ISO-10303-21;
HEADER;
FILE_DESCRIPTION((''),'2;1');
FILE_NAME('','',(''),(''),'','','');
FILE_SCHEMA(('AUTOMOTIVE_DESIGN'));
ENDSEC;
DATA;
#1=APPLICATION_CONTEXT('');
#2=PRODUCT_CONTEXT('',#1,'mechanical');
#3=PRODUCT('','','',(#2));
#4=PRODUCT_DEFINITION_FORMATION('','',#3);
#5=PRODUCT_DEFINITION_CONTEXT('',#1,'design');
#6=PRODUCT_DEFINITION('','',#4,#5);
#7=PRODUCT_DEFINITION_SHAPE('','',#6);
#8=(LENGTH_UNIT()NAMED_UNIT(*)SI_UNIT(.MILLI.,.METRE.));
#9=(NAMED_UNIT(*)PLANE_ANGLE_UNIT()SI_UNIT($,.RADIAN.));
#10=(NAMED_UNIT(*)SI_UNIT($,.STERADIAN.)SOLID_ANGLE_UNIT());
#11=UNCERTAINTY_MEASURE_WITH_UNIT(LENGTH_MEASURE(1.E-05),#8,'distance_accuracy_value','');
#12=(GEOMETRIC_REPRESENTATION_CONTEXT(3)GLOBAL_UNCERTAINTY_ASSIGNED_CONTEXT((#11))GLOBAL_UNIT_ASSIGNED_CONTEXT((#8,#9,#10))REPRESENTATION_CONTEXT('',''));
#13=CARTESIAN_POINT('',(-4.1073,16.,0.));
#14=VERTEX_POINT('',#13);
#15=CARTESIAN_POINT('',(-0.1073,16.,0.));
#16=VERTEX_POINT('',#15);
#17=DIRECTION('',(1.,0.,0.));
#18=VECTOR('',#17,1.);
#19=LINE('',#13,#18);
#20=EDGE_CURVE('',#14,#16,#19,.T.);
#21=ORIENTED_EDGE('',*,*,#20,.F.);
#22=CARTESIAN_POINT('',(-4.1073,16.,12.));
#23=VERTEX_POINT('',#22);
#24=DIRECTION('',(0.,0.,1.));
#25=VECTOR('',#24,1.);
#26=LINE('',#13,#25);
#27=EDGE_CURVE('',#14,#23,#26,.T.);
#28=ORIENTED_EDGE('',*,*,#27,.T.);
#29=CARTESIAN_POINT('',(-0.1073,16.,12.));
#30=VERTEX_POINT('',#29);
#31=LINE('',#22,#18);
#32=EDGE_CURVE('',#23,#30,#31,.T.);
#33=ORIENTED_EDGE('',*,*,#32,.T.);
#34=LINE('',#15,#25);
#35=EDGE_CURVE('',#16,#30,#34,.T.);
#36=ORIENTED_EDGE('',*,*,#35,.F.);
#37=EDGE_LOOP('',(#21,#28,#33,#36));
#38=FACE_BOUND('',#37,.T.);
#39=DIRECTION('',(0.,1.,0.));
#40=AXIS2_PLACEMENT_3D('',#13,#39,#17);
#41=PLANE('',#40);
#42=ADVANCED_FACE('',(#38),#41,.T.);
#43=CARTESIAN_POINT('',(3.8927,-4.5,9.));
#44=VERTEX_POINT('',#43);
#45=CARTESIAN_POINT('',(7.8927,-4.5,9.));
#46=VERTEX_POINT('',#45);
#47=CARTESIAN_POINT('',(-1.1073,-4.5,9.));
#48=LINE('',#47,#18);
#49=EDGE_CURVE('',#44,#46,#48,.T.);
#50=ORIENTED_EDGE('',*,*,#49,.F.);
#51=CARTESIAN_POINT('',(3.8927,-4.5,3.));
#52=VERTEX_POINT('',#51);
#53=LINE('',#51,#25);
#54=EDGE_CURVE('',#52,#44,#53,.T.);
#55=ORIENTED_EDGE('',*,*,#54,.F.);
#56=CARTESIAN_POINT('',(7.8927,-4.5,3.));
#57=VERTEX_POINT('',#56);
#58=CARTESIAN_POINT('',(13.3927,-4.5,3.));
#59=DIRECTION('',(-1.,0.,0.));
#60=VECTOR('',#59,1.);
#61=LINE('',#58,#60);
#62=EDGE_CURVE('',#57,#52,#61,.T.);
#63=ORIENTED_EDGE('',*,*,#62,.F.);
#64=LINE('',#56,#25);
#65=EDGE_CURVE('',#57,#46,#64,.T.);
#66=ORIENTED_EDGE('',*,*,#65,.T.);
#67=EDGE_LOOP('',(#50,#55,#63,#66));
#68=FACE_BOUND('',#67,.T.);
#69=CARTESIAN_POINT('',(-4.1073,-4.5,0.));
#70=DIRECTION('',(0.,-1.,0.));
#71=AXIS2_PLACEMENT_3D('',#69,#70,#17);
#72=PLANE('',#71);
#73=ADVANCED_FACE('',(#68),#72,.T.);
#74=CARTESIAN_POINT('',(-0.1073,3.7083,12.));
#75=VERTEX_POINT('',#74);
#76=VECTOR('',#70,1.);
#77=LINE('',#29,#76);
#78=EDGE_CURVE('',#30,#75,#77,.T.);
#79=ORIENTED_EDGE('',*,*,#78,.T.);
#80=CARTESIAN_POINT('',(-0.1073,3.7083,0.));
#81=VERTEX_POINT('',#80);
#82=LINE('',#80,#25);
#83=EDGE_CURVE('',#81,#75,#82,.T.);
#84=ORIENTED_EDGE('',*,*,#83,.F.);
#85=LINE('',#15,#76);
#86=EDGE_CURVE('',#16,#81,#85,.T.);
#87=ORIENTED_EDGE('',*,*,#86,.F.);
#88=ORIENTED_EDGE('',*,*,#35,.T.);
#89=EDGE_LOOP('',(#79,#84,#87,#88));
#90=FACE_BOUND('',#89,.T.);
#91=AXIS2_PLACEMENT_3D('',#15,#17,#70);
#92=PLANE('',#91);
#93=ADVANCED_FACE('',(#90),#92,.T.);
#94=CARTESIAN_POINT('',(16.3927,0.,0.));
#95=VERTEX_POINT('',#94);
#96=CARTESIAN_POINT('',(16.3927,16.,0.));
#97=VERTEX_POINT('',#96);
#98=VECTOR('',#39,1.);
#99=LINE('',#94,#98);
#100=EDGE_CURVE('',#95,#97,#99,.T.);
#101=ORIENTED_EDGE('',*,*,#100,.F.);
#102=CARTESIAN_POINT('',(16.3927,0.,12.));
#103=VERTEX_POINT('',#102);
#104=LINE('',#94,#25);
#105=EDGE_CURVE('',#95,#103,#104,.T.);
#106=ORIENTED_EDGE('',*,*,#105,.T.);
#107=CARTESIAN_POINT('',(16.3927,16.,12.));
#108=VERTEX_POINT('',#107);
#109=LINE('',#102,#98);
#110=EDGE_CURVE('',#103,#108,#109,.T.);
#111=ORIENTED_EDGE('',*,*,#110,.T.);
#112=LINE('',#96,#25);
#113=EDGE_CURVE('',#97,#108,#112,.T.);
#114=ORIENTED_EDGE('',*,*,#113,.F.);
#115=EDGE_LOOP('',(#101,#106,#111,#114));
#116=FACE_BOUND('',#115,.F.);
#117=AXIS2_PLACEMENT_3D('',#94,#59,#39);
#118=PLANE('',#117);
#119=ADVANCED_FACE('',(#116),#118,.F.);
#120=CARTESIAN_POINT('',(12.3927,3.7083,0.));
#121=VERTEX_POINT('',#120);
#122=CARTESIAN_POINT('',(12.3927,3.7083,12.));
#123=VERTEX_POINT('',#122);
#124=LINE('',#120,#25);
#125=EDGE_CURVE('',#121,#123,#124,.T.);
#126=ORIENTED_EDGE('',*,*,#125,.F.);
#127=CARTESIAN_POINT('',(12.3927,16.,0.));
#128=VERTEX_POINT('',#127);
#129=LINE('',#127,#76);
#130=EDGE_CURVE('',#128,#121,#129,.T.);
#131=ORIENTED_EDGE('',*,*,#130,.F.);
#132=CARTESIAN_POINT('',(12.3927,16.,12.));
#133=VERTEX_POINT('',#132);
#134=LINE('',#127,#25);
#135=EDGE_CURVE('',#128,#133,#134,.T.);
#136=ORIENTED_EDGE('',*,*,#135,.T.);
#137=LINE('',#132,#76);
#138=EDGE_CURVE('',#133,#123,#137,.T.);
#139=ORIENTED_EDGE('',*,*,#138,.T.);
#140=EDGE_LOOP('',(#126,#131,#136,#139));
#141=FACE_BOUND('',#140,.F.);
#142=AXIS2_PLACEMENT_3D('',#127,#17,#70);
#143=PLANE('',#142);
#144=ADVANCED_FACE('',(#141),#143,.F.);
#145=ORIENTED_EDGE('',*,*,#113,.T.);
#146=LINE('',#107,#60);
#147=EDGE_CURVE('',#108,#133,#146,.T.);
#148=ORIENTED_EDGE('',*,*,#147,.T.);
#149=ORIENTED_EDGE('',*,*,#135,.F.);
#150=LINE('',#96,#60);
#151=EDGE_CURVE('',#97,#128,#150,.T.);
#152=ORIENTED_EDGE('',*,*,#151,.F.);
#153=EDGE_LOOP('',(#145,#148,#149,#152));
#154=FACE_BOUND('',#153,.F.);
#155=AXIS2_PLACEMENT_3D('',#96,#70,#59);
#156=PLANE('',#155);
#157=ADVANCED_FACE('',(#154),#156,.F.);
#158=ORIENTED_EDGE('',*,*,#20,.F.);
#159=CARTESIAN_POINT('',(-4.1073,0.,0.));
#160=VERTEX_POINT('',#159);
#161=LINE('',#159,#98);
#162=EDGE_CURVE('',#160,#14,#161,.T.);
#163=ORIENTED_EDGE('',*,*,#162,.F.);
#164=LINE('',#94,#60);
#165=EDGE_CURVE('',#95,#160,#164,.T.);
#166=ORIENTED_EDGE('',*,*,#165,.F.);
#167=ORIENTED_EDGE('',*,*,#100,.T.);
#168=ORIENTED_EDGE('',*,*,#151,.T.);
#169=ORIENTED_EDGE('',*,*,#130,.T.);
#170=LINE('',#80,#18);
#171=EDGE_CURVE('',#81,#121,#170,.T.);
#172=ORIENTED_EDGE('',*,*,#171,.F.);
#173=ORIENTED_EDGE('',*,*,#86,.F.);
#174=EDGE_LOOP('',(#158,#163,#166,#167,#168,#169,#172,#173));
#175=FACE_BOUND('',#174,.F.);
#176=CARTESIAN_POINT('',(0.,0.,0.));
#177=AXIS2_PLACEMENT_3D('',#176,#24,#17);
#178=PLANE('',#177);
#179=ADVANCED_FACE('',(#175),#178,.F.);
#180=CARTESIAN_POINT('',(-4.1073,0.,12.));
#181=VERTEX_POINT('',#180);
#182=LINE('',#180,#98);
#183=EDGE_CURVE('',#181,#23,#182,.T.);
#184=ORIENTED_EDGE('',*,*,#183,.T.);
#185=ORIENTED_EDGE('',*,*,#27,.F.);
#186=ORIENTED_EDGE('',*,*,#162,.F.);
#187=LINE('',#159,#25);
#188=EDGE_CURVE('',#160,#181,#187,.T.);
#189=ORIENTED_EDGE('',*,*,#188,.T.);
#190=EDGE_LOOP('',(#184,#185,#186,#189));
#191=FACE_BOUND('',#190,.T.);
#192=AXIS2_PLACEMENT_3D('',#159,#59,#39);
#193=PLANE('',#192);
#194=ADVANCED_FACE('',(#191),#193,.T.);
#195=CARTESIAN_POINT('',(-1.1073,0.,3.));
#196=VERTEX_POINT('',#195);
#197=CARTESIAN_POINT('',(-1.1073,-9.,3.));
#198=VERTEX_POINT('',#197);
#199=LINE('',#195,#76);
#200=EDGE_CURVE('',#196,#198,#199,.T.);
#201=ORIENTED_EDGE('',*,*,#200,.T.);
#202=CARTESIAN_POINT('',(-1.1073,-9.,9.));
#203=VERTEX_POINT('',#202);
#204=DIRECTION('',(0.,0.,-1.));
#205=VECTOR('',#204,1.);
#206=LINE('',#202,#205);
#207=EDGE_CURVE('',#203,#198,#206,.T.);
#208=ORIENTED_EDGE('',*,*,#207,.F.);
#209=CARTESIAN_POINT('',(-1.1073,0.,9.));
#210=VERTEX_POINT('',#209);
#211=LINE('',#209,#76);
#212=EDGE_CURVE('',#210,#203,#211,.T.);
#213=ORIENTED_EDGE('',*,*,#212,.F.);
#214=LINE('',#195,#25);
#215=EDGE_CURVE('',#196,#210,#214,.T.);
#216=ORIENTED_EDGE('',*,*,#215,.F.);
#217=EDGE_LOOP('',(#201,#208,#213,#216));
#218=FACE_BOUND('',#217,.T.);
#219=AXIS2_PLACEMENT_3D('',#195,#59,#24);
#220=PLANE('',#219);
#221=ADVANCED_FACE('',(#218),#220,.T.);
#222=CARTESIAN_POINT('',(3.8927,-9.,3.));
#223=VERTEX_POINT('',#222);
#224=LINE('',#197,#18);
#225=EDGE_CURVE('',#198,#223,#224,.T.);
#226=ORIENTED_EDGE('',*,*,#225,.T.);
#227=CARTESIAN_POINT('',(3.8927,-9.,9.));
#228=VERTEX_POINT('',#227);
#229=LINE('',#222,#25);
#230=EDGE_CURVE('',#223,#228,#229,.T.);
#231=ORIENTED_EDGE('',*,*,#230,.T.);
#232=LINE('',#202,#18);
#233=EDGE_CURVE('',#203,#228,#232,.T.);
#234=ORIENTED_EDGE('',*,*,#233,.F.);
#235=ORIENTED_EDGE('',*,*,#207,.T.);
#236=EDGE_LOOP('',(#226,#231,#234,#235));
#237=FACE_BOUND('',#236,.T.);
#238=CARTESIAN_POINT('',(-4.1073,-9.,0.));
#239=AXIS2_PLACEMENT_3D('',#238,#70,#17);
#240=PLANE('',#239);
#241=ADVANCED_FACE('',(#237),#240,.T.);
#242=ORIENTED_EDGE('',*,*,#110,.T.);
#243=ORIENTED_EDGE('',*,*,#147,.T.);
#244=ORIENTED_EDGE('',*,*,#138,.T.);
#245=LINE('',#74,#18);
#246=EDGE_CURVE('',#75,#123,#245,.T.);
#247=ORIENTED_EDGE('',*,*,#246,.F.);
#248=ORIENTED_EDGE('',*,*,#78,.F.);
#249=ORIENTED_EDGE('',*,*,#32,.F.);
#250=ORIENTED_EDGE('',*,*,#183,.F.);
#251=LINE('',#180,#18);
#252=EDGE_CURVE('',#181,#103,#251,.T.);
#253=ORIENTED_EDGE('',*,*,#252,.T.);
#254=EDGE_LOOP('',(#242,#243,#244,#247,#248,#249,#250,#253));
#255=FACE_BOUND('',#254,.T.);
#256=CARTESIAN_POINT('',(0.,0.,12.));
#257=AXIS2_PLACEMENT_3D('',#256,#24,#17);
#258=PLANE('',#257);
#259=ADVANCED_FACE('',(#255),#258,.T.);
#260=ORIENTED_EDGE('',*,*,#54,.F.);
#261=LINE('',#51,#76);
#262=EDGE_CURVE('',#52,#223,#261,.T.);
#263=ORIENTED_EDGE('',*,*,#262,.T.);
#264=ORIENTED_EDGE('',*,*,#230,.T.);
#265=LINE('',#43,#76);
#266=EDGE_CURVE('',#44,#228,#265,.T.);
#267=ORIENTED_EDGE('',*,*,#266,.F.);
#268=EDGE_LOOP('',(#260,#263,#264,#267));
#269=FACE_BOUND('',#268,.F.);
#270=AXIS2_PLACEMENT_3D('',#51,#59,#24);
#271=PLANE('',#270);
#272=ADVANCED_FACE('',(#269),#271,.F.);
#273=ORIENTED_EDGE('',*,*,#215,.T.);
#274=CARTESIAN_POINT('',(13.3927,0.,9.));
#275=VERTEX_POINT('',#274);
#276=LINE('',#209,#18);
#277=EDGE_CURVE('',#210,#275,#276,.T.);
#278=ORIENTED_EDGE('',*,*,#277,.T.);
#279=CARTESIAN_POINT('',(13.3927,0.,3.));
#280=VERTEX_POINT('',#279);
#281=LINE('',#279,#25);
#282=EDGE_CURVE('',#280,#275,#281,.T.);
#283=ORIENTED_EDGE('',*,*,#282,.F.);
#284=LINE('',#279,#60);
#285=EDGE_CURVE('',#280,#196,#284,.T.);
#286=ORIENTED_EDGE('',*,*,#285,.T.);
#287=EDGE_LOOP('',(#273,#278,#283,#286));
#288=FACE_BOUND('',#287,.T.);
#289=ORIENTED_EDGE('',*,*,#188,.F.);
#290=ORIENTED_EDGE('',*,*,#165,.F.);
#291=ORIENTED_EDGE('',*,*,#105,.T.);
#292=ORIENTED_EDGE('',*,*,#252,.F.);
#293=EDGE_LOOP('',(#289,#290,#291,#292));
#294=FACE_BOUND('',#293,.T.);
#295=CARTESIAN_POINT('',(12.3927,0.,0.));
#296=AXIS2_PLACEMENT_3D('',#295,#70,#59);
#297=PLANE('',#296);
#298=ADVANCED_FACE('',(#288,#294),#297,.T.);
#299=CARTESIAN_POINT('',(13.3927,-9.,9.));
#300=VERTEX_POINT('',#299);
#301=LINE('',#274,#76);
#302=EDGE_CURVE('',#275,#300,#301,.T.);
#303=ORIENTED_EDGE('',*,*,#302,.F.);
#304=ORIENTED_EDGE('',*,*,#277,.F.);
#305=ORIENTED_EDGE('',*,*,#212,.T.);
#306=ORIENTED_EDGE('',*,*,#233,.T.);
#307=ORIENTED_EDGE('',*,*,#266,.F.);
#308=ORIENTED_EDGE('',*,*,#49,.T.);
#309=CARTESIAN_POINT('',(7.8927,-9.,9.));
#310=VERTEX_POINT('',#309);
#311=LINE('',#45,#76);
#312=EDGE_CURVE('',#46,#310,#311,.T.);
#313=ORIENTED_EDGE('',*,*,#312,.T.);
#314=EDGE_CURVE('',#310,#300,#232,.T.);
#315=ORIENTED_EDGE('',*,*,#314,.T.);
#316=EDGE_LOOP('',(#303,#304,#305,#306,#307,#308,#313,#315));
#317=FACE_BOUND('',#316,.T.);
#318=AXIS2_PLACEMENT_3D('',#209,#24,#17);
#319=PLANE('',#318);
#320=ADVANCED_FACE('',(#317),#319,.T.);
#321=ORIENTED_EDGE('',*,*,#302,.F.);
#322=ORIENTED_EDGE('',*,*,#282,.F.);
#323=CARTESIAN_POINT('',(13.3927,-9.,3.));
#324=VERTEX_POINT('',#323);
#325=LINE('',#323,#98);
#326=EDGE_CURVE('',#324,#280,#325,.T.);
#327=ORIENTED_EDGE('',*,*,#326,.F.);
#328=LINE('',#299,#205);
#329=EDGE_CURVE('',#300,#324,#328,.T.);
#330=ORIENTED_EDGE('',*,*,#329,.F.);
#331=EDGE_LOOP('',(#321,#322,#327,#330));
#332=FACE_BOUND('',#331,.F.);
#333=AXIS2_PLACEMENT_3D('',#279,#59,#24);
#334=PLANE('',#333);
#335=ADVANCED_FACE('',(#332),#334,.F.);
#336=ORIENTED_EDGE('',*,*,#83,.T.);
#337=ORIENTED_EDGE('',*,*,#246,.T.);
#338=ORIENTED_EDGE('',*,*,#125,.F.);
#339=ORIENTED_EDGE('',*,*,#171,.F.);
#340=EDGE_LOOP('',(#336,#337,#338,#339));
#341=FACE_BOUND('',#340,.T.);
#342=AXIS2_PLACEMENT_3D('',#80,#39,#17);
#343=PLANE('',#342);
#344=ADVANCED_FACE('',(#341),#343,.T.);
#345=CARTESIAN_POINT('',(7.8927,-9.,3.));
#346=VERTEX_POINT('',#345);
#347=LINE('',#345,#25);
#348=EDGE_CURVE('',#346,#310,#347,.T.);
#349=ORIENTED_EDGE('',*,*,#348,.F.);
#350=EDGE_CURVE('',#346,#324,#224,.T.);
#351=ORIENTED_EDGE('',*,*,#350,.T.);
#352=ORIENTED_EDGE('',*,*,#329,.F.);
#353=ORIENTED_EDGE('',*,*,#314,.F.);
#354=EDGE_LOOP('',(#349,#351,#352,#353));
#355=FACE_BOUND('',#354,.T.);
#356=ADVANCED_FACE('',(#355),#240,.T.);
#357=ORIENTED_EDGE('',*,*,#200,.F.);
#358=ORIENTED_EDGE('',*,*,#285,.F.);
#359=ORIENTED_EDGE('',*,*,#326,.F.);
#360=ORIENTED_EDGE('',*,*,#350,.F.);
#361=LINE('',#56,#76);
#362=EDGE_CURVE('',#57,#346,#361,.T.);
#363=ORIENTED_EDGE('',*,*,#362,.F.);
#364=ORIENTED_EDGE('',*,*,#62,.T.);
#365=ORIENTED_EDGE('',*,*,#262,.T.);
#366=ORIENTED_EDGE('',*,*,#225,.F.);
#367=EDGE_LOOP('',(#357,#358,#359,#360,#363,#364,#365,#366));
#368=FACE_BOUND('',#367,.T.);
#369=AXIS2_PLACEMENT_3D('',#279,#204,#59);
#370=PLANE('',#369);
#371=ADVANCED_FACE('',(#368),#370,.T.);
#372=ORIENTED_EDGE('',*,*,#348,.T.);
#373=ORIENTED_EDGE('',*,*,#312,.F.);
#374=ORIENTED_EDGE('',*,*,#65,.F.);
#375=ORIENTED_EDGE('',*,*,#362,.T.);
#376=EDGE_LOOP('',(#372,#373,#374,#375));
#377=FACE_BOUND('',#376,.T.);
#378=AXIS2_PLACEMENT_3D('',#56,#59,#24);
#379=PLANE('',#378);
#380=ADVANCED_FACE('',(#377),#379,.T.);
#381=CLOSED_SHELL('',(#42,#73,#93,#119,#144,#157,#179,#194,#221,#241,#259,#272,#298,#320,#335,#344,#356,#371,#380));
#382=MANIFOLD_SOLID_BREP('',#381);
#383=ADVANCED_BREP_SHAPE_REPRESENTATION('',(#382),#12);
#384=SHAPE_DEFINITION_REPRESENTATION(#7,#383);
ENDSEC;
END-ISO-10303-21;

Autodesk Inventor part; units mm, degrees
ref_plane "YZ Plane" through (0, 0, 0) normal (1, 0, 0) x (0, 1, 0)
ref_plane "XZ Plane" through (0, 0, 0) normal (0, 1, 0) x (-1, 0, 0)
ref_plane "XY Plane" through (0, 0, 0) normal (0, 0, 1) x (1, 0, 0)
sketch "Sketch1" plane through (0, 0, 0) normal (0, 0, 1) x (1, 0, 0)
  line L0 (-0.1073, 3.7083) -> (12.3927, 3.7083)
  line L1 (12.3927, 3.7083) -> (12.3927, 0)
  line L2 (12.3927, 0) -> (-0.1073, 0)
  line L3 (-0.1073, 0) -> (-0.1073, 3.7083)
  line L4 (-0.1073, 0) -> (-4.1073, 0)
  line L5 (-4.1073, 0) -> (-4.1073, 16)
  line L6 (-4.1073, 16) -> (-0.1073, 16)
  line L7 (-0.1073, 16) -> (-0.1073, 0)
  line L8 (12.3927, 0) -> (16.3927, 0)
  line L9 (16.3927, 0) -> (16.3927, 16)
  line L10 (16.3927, 16) -> (12.3927, 16)
  line L11 (12.3927, 16) -> (12.3927, 0)
  point P0 (0, 0)
  dimension "d0" = 12.5
  dimension "d1" = 16
  dimension "d2" = 4
  dimension "d3" = 4
extrude "Extrusion1" add sketch "Sketch1" along normal blind 12
sketch "Sketch2" plane through (-4.1073, 0, 0) normal (0, -1, 0) x (1, 0, 0)
  line L0 (0, 12) -> (20.5, 12) projected
  line L1 (0, 0) -> (20.5, 0) projected
  line L2 (0, 0) -> (0, 12) projected
  point P0 (4.1073, 0)
sketch "Sketch3" plane through (-4.1073, 0, 0) normal (0, -1, 0) x (1, 0, 0)
  line L0 (17.5, 3) -> (17.5, 9)
  line L1 (0, 0) -> (20.5, 0) projected
  line L2 (0, 0) -> (0, 12) projected
  line L3 (20.5, 0) -> (20.5, 12) projected
  line L4 (17.5, 3) -> (3, 3)
  line L5 (3, 3) -> (3, 9)
  line L6 (3, 9) -> (17.5, 9)
  line L7 (17.5, 9) -> (17.5, 3)
  point P0 (4.1073, 0)
  dimension "d20" = 3
  dimension "d21" = 3
extrude "Extrusion4" add sketch "Sketch3" along normal blind 4.5
sketch "Sketch5" plane through (-4.1073, -4.5, 0) normal (0, -1, 0) x (1, 0, 0)
  line L0 (3, 3) -> (17.5, 3) projected
  line L1 (3, 9) -> (17.5, 9) projected
  line L2 (17.5, 3) -> (12, 3)
  line L3 (12, 3) -> (12, 9)
  line L4 (12, 9) -> (17.5, 9)
  line L5 (17.5, 9) -> (17.5, 3)
  line L6 (3, 3) -> (8, 3)
  line L7 (8, 3) -> (8, 9)
  line L8 (8, 9) -> (3, 9)
  line L9 (3, 9) -> (3, 3)
  point P0 (4.1073, 0)
  dimension "d24" = 4
  dimension "d25" = 5.5
extrude "Extrusion5" add sketch "Sketch5" along normal blind 4.5 contours L9 L1 L7 L0 | L3 L1 L5 L0
properties part number "servo_motor_clip"
